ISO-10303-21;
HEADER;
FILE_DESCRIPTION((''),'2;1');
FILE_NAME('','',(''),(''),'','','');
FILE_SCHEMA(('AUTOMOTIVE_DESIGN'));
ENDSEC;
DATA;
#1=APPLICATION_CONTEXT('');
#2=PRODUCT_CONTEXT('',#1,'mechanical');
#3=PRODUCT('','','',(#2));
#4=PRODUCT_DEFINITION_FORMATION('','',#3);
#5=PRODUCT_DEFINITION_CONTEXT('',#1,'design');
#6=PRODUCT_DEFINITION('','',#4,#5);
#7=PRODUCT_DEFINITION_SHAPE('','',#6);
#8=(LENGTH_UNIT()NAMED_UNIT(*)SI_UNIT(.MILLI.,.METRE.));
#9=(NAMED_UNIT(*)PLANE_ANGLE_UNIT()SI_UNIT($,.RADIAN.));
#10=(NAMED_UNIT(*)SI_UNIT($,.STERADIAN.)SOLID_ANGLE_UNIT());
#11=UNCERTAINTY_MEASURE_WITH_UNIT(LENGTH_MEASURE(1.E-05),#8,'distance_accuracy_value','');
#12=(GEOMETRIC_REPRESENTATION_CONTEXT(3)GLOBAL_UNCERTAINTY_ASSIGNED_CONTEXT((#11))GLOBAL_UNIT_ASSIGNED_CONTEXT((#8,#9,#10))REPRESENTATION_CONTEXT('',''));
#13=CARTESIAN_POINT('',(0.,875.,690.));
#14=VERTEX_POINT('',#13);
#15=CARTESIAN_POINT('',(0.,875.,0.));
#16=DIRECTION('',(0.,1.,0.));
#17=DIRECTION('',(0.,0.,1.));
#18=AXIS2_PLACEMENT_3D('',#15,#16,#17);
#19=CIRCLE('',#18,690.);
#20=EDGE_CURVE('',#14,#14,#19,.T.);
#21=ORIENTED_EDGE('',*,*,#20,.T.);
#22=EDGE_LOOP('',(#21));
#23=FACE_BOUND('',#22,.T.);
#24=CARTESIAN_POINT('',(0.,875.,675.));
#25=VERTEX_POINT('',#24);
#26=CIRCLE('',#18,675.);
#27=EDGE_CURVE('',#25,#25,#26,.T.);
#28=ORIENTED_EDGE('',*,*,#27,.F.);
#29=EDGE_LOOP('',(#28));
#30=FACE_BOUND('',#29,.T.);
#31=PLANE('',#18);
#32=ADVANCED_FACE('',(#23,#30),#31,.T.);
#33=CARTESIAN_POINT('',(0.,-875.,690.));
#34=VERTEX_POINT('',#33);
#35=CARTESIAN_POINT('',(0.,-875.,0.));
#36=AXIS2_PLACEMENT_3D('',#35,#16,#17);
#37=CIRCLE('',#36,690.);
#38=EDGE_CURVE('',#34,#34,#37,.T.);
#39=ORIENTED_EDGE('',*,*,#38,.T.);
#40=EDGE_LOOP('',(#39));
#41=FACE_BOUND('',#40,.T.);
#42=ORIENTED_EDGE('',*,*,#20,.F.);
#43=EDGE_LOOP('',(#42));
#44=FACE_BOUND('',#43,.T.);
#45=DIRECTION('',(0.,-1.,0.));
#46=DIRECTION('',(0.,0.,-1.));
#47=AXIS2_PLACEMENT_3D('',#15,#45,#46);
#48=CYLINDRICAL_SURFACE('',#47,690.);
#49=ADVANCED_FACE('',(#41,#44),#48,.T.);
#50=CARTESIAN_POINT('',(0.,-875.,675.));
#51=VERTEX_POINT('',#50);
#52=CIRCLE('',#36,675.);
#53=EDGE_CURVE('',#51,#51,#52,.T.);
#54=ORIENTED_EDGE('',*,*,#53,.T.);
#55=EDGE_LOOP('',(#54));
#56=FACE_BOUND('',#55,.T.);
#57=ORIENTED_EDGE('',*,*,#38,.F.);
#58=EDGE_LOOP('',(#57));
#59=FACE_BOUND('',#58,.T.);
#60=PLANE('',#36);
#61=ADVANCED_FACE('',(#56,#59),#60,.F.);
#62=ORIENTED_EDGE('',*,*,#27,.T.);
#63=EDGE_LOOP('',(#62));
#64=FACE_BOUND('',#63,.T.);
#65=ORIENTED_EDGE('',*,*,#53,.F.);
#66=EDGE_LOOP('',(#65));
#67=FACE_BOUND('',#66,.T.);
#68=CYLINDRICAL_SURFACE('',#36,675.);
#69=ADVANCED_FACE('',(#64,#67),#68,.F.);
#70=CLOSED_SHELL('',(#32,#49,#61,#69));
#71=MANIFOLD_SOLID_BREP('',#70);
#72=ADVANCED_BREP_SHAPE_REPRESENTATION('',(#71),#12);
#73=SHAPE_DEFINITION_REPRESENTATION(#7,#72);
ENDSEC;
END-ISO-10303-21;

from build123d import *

# Parameters (mm, degrees)
SKETCH1_R               = 690
BOSS_EXTRUDE1_DEPTH     = 875
CUT_EXTRUDE1_DEPTH      = 1311.658231577
CUT_EXTRUDE1_DEPTH_BACK = 1311.658231577
SKETCH2_R               = 675


with BuildPart() as part:
    # Sketch1 → Boss-Extrude1 (new, symmetric)
    with BuildSketch(Plane(origin=(0, 0, 0), x_dir=(1, 0, 0), z_dir=(0, 1, 0))):
        with Locations(Location((0, 0, 0), (0, 0, 270))):
            Circle(SKETCH1_R)
    extrude(amount=BOSS_EXTRUDE1_DEPTH, both=True)

    # Sketch2 → Cut-Extrude1 (cut, two sides: drawn at the far end of the back side and taken through both)
    with BuildSketch(Plane(origin=(0, 0, 0), x_dir=(1, 0, 0), z_dir=(0, 1, 0)).offset(-CUT_EXTRUDE1_DEPTH_BACK)):
        with Locations(Location((0, 0, 0), (0, 0, 270))):
            Circle(SKETCH2_R)
    extrude(amount=CUT_EXTRUDE1_DEPTH + CUT_EXTRUDE1_DEPTH_BACK, mode=Mode.SUBTRACT)


solid = part.part
